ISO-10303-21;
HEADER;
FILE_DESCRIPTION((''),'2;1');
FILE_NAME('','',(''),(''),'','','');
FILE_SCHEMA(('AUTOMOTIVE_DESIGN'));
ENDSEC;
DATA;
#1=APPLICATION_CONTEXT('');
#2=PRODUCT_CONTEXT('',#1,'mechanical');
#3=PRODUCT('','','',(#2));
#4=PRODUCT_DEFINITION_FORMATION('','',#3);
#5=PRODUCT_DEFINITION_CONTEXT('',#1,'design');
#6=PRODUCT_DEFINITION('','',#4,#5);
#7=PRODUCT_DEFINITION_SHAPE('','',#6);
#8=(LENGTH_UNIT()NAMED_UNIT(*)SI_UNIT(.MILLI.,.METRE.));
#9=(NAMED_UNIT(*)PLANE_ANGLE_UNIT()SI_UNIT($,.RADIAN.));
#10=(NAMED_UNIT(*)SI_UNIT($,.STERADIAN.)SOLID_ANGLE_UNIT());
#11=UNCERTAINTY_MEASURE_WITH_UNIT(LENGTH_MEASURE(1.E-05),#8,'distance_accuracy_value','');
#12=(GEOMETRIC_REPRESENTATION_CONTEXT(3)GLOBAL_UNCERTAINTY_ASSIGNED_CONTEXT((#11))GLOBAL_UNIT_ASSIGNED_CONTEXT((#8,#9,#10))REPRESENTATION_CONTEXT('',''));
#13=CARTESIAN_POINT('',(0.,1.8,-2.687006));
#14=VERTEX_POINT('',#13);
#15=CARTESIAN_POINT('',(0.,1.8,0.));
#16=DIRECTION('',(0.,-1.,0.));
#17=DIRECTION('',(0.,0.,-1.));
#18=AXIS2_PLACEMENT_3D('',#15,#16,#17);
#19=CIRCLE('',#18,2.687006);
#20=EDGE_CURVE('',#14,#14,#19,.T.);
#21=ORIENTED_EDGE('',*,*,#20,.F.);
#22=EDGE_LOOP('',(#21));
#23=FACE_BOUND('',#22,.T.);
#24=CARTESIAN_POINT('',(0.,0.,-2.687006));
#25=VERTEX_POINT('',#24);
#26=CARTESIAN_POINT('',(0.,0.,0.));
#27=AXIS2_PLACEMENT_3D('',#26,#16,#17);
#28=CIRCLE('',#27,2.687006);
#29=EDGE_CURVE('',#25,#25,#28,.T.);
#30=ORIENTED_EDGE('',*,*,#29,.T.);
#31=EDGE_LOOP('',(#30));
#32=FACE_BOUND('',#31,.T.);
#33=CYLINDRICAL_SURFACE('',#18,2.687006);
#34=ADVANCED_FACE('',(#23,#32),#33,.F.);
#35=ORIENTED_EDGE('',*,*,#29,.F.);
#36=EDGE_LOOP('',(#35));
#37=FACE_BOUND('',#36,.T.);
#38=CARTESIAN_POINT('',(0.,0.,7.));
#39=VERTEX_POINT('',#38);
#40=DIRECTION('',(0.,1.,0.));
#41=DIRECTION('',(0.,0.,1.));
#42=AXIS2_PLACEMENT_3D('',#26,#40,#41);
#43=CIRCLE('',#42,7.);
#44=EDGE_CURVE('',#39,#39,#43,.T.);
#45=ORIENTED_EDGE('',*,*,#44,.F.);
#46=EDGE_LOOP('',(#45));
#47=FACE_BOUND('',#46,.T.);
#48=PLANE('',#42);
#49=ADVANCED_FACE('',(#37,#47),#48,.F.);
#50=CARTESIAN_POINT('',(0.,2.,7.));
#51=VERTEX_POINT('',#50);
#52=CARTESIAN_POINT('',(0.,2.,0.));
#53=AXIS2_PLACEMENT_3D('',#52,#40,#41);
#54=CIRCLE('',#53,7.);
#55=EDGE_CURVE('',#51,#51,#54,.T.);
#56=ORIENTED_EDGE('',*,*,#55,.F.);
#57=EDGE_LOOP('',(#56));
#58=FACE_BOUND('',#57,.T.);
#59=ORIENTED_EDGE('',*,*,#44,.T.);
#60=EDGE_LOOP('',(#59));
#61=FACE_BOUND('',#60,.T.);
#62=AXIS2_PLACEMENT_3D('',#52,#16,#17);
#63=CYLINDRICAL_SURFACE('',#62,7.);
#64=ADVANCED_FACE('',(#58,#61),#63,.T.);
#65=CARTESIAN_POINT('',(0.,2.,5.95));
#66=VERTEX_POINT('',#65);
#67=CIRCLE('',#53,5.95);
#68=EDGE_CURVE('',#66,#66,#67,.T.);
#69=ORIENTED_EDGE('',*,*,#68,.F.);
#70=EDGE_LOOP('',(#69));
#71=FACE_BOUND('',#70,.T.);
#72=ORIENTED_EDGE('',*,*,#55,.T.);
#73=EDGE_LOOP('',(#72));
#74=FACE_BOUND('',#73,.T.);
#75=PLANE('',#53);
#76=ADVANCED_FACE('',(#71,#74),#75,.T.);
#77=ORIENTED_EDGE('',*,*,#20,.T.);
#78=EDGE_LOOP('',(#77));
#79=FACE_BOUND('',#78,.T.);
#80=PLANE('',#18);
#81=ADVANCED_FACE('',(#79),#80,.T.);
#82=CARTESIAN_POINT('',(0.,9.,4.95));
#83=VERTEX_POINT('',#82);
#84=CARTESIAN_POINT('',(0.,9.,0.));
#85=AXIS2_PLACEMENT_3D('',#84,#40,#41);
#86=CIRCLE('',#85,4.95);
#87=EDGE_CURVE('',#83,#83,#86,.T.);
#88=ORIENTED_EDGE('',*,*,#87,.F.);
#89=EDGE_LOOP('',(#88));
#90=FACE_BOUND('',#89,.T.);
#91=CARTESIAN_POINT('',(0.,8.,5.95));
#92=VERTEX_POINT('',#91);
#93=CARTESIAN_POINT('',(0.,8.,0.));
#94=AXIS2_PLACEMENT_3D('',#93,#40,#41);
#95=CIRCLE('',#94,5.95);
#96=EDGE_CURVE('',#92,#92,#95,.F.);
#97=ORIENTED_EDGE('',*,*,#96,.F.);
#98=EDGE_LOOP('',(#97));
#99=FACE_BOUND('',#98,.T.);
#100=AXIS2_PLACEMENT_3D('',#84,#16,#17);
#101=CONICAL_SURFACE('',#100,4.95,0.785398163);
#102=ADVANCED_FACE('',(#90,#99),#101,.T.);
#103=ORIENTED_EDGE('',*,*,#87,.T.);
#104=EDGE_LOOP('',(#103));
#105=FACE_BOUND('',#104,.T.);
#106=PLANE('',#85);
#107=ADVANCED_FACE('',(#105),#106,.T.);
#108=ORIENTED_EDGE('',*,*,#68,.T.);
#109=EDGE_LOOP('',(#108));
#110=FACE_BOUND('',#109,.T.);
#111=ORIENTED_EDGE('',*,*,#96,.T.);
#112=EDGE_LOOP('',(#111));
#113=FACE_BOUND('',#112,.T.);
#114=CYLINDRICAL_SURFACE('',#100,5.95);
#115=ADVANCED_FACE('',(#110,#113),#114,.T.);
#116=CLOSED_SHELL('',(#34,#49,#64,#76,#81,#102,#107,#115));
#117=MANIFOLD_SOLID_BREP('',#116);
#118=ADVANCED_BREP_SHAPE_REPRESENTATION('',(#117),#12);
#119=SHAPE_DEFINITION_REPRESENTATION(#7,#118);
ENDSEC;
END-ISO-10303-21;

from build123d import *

# Parameters (mm, degrees)
SKETCH1_R           = 7
BOSS_EXTRUDE1_DEPTH = 2
SKETCH2_R           = 5.95
BOSS_EXTRUDE2_DEPTH = 7
SKETCH3_W           = 3.8
SKETCH3_H           = 3.8
CUT_EXTRUDE1_DEPTH  = 1.8
CHAMFER1_SIZE       = 1


with BuildPart() as part:
    # Sketch1 → Boss-Extrude1 (new body)
    with BuildSketch(Plane(origin=(0, 0, 0), x_dir=(1, 0, 0), z_dir=(0, 1, 0))):
        with Locations(Location((0, 0, 0), (0, 0, 270))):
            Circle(SKETCH1_R)
    extrude(amount=BOSS_EXTRUDE1_DEPTH)

    # Sketch2 → Boss-Extrude2 (add)
    with BuildSketch(Plane(origin=(0, 2, 0), x_dir=(1, 0, 0), z_dir=(0, 1, 0))):
        with Locations(Location((0, 0, 0), (0, 0, 270))):
            Circle(SKETCH2_R)
    extrude(amount=BOSS_EXTRUDE2_DEPTH)

    # Sketch3 → Cut-Extrude1 (cut)
    with BuildSketch(Plane.XZ):
        with BuildLine():
            ThreePointArc((-1.9, 1.9), (-2.687005769, 0), (-1.9, -1.9))
            Line((-1.9, -1.9), (-1.9, 1.9))
        make_face()
        Rectangle(SKETCH3_W, SKETCH3_H)
        with BuildLine():
            ThreePointArc((1.9, 1.9), (0, 2.687005769), (-1.9, 1.9))
            Line((-1.9, 1.9), (1.9, 1.9))
        make_face()
        with BuildLine():
            Line((1.9, 1.9), (1.9, -1.9))
            ThreePointArc((1.9, -1.9), (2.482469633, -1.02827259), (2.687005769, 0))
            ThreePointArc((2.687005769, 0), (2.482469633, 1.02827259), (1.9, 1.9))
        make_face()
        with BuildLine():
            Line((1.9, -1.9), (-1.9, -1.9))
            ThreePointArc((-1.9, -1.9), (0, -2.687005769), (1.9, -1.9))
        make_face()
    extrude(amount=-CUT_EXTRUDE1_DEPTH, mode=Mode.SUBTRACT)

    # Chamfer1
    chamfer1_edges = [part.edges().sort_by_distance(p)[0] for p in [
        (0, 9, -5.95),
    ]]
    chamfer(chamfer1_edges, length=CHAMFER1_SIZE)


solid = part.part
